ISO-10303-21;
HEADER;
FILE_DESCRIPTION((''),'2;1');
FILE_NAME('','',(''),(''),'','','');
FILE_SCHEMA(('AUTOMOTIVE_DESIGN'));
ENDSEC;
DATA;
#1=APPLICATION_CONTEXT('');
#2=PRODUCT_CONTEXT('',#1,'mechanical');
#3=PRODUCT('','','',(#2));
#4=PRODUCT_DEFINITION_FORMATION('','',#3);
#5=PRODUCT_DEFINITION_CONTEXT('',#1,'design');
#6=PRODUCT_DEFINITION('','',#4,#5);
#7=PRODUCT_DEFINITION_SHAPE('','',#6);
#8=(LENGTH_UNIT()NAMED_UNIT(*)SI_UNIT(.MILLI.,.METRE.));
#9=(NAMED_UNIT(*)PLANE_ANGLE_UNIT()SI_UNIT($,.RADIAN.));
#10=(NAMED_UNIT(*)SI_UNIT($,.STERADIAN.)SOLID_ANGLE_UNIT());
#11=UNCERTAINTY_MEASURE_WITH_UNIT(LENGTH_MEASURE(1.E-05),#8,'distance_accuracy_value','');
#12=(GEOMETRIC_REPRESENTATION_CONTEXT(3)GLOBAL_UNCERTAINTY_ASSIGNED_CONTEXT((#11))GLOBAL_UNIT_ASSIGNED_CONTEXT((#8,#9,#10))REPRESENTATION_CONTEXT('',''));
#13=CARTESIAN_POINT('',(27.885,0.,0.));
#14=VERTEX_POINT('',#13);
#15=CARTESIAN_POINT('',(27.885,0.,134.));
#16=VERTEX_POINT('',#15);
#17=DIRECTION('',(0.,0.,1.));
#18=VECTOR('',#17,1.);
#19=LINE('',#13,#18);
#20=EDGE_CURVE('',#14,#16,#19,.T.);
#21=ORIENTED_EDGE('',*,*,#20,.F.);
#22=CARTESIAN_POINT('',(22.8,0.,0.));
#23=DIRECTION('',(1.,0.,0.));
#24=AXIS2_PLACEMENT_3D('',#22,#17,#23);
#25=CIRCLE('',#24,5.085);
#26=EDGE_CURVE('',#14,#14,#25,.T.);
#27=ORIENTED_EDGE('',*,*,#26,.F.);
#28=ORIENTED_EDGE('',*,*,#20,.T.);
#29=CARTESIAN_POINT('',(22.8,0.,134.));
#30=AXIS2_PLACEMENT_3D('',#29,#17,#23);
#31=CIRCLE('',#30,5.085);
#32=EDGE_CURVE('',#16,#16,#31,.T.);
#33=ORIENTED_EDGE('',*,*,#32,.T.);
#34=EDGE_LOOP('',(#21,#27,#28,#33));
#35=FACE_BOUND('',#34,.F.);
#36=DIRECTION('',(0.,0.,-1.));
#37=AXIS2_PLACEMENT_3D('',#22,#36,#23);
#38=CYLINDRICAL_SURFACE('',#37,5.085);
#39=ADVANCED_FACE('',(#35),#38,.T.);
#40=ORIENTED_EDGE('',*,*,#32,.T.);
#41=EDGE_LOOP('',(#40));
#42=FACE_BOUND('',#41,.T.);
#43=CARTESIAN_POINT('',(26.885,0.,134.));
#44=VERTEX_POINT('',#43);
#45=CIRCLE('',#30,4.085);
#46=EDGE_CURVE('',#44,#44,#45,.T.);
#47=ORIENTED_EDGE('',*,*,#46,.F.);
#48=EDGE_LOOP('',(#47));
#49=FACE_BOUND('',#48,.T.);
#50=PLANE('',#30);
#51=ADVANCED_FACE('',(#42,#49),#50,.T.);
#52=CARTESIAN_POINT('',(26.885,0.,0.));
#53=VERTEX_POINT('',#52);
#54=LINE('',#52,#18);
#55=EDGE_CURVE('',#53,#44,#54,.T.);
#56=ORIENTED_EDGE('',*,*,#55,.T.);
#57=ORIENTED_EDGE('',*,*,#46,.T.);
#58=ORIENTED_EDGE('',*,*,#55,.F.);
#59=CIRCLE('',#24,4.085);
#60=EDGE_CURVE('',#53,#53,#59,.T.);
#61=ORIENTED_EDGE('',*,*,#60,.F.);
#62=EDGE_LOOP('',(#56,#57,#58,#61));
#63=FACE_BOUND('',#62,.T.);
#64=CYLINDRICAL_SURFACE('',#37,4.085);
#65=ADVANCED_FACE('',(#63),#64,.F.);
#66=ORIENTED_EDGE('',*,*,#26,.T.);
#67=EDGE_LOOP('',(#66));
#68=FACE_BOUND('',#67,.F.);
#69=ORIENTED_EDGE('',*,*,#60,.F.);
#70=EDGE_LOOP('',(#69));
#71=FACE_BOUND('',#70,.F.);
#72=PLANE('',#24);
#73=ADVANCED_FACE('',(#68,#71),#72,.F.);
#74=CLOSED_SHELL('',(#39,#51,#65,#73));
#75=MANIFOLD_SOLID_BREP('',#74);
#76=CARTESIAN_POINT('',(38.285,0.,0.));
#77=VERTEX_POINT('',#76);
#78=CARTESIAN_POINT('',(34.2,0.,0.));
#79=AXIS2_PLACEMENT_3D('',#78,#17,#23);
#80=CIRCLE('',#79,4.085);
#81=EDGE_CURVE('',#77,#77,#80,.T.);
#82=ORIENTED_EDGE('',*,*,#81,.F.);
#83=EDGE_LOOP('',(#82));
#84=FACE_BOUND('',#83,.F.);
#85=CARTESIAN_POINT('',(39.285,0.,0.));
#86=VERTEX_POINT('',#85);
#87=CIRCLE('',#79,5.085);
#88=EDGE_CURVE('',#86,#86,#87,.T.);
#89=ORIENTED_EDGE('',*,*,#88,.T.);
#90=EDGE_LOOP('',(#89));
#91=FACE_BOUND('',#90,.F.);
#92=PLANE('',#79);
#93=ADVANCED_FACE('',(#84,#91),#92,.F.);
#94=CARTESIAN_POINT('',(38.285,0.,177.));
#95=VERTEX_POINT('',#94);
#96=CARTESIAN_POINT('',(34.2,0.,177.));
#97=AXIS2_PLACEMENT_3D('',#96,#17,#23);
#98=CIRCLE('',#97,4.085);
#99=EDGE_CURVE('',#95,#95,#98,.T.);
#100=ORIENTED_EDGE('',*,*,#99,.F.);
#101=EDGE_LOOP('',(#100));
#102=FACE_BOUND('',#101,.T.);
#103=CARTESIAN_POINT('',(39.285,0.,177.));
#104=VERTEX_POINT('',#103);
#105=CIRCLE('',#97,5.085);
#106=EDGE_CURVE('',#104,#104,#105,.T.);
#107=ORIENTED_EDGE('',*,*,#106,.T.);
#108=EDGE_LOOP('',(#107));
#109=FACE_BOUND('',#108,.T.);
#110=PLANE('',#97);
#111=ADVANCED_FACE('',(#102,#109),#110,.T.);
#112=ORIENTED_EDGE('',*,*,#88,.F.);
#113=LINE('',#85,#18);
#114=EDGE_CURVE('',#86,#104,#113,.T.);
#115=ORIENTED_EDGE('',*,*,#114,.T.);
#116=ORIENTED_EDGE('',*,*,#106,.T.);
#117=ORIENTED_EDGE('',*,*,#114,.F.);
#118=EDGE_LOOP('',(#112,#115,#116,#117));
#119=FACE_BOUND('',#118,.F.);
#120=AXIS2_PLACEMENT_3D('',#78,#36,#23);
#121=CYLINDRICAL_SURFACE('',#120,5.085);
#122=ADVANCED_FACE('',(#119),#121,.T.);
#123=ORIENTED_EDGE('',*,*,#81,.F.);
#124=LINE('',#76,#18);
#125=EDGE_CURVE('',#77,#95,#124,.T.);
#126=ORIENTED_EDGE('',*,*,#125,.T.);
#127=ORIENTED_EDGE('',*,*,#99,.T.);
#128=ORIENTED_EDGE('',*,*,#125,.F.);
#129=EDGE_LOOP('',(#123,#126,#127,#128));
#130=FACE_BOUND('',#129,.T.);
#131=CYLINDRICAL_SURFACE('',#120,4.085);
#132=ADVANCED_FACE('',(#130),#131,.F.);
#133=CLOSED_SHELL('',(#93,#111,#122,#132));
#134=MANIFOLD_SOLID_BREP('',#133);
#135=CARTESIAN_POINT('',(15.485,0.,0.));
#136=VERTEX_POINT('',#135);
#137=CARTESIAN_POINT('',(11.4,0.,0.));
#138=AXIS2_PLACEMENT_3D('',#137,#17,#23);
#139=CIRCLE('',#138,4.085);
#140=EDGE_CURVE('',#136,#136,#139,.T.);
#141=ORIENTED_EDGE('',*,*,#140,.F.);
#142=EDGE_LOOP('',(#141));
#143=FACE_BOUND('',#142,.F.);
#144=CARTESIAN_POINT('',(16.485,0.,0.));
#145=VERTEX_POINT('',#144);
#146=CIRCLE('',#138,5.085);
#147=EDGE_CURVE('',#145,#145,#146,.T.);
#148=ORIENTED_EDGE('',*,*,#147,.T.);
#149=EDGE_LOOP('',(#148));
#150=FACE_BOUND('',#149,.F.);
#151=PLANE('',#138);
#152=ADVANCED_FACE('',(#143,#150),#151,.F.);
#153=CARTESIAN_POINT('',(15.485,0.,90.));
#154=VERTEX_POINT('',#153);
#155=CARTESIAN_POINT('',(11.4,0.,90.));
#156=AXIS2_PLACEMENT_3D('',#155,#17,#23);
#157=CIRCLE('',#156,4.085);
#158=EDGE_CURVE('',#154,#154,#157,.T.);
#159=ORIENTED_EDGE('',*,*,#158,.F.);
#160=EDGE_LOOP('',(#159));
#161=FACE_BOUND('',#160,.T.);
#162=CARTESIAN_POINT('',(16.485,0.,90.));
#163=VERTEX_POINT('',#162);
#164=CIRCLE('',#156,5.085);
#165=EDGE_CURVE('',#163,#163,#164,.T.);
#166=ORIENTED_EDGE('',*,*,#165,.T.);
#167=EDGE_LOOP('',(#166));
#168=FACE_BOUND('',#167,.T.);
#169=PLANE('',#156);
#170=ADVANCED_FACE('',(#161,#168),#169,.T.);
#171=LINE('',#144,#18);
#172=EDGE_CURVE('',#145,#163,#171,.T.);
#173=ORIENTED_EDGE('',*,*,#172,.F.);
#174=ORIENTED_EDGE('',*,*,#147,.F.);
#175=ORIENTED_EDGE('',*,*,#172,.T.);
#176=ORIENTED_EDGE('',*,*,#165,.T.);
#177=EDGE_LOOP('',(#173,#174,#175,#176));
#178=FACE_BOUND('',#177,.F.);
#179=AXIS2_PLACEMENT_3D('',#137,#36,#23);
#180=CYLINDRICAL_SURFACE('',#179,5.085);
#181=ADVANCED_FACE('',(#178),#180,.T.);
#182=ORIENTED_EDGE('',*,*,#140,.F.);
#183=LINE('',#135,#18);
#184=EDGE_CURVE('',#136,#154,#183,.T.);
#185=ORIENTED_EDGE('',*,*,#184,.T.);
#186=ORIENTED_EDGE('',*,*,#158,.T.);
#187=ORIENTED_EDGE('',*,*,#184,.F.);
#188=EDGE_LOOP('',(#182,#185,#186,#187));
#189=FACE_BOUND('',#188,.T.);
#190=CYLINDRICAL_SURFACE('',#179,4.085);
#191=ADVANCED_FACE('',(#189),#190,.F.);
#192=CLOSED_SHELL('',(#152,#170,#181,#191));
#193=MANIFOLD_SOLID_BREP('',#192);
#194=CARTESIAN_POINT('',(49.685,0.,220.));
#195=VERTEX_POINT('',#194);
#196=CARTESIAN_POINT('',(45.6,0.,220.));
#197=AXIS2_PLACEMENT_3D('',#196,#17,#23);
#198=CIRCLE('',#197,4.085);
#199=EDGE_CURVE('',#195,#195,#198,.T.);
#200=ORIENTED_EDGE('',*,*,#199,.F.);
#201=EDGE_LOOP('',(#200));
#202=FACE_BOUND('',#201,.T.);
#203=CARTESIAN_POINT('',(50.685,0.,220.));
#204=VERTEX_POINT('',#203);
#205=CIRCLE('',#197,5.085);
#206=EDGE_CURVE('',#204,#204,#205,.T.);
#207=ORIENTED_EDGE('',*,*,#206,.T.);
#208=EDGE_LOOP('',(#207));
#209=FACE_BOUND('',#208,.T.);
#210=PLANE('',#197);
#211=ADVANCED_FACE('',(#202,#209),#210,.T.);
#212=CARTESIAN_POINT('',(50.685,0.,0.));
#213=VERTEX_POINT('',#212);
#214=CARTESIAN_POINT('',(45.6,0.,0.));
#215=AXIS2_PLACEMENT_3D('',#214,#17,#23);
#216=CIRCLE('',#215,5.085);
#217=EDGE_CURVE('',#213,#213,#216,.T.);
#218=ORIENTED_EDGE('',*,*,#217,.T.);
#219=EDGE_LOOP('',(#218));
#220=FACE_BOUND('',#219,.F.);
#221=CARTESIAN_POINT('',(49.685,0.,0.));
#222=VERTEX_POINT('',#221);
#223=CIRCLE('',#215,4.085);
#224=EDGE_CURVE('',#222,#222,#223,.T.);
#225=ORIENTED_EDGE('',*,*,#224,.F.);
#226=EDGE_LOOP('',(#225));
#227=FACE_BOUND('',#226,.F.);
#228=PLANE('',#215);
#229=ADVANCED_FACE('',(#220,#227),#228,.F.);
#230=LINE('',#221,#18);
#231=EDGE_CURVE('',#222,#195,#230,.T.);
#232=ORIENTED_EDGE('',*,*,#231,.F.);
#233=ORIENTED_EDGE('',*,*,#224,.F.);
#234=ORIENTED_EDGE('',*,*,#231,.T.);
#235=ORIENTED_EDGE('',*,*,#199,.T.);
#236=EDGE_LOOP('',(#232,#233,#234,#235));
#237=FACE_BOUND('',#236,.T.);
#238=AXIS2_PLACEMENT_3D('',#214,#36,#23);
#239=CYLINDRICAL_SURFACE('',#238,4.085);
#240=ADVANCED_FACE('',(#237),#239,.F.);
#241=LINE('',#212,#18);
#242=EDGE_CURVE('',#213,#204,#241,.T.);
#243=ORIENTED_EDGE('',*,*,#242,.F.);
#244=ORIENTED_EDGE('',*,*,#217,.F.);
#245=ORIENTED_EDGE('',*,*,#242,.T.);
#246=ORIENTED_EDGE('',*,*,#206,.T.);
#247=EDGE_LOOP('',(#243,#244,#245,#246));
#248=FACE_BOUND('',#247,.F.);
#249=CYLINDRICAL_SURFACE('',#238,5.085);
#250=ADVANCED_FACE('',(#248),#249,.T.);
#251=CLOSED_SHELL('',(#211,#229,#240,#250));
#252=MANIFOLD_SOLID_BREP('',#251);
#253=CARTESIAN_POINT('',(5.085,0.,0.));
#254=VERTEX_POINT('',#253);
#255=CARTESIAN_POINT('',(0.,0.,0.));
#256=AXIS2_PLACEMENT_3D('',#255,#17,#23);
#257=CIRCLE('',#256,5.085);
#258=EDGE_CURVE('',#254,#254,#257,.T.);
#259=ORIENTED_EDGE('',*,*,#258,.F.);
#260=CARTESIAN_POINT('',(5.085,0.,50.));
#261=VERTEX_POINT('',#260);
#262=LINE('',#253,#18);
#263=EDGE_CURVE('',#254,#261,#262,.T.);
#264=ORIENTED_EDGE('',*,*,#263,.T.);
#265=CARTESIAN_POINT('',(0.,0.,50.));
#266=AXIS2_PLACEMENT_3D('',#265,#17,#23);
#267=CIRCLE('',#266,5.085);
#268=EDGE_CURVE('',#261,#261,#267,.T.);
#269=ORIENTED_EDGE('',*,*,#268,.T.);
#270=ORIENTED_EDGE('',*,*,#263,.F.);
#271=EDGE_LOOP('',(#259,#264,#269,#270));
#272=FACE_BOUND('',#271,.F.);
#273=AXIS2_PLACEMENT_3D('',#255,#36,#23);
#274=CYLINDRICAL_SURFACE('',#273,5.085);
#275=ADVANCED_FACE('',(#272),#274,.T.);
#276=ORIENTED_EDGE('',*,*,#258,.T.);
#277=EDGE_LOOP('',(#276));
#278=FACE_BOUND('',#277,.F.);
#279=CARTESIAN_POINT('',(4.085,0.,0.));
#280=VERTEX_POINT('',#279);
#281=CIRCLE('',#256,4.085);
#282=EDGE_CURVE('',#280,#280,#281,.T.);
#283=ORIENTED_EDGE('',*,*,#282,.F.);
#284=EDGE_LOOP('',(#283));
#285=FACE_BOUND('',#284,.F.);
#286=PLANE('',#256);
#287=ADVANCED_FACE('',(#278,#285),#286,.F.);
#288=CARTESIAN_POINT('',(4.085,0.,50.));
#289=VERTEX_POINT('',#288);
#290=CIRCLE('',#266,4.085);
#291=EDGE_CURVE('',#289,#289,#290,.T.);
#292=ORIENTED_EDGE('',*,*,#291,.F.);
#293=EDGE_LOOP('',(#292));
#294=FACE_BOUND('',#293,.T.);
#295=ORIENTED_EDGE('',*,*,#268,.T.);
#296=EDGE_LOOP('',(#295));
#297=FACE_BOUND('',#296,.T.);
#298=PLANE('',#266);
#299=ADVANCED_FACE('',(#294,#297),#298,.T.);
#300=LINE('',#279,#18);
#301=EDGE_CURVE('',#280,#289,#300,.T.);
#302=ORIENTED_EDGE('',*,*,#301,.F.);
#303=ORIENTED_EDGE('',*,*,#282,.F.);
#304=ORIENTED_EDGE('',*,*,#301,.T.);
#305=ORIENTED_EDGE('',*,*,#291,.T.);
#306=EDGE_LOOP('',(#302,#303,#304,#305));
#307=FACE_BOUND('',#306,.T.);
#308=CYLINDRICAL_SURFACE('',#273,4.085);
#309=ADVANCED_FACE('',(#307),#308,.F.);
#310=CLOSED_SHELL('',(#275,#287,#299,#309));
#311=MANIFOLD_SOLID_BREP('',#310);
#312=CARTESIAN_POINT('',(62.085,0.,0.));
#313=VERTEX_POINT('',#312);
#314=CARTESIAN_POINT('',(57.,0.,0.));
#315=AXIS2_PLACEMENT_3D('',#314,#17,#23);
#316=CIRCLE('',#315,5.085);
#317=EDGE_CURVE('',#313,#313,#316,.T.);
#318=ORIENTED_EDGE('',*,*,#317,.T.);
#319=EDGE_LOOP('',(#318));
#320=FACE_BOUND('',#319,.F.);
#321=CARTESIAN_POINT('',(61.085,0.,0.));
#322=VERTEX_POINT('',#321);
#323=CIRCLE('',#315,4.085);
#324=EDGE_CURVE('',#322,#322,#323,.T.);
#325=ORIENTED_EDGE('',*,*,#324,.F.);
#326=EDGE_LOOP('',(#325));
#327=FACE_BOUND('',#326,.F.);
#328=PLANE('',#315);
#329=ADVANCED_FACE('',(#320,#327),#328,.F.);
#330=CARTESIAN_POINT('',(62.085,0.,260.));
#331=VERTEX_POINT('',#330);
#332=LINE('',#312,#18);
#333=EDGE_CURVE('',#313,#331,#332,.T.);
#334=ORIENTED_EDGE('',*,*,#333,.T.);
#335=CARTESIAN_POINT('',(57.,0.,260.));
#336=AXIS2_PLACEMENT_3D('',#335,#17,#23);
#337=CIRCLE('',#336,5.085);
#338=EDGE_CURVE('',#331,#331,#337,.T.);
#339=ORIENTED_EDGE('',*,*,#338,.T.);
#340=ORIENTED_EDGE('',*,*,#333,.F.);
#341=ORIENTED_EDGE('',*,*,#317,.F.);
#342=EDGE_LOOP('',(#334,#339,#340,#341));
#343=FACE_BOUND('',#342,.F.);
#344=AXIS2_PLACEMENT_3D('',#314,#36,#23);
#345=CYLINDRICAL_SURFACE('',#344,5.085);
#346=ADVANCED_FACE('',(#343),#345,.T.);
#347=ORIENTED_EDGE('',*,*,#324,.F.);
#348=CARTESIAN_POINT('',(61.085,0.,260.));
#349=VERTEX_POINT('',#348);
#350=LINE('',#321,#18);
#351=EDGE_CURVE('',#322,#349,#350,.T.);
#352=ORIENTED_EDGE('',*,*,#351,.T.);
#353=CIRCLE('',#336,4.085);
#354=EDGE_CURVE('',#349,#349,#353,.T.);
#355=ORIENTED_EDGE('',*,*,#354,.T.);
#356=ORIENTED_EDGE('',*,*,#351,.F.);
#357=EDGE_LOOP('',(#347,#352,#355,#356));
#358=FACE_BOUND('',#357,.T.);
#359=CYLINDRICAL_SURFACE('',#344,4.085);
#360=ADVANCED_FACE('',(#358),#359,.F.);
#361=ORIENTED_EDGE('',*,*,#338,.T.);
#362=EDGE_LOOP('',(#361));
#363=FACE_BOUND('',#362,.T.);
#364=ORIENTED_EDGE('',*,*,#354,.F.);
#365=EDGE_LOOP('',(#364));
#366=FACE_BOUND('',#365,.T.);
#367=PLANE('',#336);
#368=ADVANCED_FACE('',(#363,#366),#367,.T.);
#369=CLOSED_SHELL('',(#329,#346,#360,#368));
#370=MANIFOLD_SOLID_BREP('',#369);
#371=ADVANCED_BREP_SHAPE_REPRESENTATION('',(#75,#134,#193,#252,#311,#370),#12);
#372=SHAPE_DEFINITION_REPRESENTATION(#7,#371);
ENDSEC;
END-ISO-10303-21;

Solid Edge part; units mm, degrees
sketch "Sketch1" plane through (0, 0, 0) normal (0, 0, 1) x (1, 0, 0)
  circle A0 centre (0, 0) radius 5.085
  circle A1 centre (0, 0) radius 4.085
extrude "Protrusion1" add sketch "Sketch1" along normal blind 50
sketch "Sketch2" plane through (0, 0, 0) normal (0, 0, 1) x (1, 0, 0)
  circle A0 centre (11.4, 0) radius 5.085
  circle A1 centre (11.4, 0) radius 4.085
extrude "ExtrudedProtrusion_2" add sketch "Sketch2" along normal blind 90
sketch "Sketch3" plane through (0, 0, 0) normal (0, 0, 1) x (1, 0, 0)
  circle A0 centre (22.8, 0) radius 5.085
  circle A1 centre (22.8, 0) radius 4.085
extrude "ExtrudedProtrusion_3" add sketch "Sketch3" along normal blind 134
sketch "Sketch4" plane through (0, 0, 0) normal (0, 0, 1) x (1, 0, 0)
  circle A0 centre (34.2, 0) radius 5.085
  circle A1 centre (34.2, 0) radius 4.085
extrude "ExtrudedProtrusion_4" add sketch "Sketch4" along normal blind 177
sketch "Sketch5" plane through (0, 0, 0) normal (0, 0, 1) x (1, 0, 0)
  circle A0 centre (45.6, 0) radius 5.085
  circle A1 centre (45.6, 0) radius 4.085
extrude "ExtrudedProtrusion_5" add sketch "Sketch5" along normal blind 220
sketch "Sketch6" plane through (0, 0, 0) normal (0, 0, 1) x (1, 0, 0)
  circle A0 centre (57, 0) radius 5.085
  circle A1 centre (57, 0) radius 4.085
extrude "ExtrudedProtrusion_6" add sketch "Sketch6" along normal blind 260
